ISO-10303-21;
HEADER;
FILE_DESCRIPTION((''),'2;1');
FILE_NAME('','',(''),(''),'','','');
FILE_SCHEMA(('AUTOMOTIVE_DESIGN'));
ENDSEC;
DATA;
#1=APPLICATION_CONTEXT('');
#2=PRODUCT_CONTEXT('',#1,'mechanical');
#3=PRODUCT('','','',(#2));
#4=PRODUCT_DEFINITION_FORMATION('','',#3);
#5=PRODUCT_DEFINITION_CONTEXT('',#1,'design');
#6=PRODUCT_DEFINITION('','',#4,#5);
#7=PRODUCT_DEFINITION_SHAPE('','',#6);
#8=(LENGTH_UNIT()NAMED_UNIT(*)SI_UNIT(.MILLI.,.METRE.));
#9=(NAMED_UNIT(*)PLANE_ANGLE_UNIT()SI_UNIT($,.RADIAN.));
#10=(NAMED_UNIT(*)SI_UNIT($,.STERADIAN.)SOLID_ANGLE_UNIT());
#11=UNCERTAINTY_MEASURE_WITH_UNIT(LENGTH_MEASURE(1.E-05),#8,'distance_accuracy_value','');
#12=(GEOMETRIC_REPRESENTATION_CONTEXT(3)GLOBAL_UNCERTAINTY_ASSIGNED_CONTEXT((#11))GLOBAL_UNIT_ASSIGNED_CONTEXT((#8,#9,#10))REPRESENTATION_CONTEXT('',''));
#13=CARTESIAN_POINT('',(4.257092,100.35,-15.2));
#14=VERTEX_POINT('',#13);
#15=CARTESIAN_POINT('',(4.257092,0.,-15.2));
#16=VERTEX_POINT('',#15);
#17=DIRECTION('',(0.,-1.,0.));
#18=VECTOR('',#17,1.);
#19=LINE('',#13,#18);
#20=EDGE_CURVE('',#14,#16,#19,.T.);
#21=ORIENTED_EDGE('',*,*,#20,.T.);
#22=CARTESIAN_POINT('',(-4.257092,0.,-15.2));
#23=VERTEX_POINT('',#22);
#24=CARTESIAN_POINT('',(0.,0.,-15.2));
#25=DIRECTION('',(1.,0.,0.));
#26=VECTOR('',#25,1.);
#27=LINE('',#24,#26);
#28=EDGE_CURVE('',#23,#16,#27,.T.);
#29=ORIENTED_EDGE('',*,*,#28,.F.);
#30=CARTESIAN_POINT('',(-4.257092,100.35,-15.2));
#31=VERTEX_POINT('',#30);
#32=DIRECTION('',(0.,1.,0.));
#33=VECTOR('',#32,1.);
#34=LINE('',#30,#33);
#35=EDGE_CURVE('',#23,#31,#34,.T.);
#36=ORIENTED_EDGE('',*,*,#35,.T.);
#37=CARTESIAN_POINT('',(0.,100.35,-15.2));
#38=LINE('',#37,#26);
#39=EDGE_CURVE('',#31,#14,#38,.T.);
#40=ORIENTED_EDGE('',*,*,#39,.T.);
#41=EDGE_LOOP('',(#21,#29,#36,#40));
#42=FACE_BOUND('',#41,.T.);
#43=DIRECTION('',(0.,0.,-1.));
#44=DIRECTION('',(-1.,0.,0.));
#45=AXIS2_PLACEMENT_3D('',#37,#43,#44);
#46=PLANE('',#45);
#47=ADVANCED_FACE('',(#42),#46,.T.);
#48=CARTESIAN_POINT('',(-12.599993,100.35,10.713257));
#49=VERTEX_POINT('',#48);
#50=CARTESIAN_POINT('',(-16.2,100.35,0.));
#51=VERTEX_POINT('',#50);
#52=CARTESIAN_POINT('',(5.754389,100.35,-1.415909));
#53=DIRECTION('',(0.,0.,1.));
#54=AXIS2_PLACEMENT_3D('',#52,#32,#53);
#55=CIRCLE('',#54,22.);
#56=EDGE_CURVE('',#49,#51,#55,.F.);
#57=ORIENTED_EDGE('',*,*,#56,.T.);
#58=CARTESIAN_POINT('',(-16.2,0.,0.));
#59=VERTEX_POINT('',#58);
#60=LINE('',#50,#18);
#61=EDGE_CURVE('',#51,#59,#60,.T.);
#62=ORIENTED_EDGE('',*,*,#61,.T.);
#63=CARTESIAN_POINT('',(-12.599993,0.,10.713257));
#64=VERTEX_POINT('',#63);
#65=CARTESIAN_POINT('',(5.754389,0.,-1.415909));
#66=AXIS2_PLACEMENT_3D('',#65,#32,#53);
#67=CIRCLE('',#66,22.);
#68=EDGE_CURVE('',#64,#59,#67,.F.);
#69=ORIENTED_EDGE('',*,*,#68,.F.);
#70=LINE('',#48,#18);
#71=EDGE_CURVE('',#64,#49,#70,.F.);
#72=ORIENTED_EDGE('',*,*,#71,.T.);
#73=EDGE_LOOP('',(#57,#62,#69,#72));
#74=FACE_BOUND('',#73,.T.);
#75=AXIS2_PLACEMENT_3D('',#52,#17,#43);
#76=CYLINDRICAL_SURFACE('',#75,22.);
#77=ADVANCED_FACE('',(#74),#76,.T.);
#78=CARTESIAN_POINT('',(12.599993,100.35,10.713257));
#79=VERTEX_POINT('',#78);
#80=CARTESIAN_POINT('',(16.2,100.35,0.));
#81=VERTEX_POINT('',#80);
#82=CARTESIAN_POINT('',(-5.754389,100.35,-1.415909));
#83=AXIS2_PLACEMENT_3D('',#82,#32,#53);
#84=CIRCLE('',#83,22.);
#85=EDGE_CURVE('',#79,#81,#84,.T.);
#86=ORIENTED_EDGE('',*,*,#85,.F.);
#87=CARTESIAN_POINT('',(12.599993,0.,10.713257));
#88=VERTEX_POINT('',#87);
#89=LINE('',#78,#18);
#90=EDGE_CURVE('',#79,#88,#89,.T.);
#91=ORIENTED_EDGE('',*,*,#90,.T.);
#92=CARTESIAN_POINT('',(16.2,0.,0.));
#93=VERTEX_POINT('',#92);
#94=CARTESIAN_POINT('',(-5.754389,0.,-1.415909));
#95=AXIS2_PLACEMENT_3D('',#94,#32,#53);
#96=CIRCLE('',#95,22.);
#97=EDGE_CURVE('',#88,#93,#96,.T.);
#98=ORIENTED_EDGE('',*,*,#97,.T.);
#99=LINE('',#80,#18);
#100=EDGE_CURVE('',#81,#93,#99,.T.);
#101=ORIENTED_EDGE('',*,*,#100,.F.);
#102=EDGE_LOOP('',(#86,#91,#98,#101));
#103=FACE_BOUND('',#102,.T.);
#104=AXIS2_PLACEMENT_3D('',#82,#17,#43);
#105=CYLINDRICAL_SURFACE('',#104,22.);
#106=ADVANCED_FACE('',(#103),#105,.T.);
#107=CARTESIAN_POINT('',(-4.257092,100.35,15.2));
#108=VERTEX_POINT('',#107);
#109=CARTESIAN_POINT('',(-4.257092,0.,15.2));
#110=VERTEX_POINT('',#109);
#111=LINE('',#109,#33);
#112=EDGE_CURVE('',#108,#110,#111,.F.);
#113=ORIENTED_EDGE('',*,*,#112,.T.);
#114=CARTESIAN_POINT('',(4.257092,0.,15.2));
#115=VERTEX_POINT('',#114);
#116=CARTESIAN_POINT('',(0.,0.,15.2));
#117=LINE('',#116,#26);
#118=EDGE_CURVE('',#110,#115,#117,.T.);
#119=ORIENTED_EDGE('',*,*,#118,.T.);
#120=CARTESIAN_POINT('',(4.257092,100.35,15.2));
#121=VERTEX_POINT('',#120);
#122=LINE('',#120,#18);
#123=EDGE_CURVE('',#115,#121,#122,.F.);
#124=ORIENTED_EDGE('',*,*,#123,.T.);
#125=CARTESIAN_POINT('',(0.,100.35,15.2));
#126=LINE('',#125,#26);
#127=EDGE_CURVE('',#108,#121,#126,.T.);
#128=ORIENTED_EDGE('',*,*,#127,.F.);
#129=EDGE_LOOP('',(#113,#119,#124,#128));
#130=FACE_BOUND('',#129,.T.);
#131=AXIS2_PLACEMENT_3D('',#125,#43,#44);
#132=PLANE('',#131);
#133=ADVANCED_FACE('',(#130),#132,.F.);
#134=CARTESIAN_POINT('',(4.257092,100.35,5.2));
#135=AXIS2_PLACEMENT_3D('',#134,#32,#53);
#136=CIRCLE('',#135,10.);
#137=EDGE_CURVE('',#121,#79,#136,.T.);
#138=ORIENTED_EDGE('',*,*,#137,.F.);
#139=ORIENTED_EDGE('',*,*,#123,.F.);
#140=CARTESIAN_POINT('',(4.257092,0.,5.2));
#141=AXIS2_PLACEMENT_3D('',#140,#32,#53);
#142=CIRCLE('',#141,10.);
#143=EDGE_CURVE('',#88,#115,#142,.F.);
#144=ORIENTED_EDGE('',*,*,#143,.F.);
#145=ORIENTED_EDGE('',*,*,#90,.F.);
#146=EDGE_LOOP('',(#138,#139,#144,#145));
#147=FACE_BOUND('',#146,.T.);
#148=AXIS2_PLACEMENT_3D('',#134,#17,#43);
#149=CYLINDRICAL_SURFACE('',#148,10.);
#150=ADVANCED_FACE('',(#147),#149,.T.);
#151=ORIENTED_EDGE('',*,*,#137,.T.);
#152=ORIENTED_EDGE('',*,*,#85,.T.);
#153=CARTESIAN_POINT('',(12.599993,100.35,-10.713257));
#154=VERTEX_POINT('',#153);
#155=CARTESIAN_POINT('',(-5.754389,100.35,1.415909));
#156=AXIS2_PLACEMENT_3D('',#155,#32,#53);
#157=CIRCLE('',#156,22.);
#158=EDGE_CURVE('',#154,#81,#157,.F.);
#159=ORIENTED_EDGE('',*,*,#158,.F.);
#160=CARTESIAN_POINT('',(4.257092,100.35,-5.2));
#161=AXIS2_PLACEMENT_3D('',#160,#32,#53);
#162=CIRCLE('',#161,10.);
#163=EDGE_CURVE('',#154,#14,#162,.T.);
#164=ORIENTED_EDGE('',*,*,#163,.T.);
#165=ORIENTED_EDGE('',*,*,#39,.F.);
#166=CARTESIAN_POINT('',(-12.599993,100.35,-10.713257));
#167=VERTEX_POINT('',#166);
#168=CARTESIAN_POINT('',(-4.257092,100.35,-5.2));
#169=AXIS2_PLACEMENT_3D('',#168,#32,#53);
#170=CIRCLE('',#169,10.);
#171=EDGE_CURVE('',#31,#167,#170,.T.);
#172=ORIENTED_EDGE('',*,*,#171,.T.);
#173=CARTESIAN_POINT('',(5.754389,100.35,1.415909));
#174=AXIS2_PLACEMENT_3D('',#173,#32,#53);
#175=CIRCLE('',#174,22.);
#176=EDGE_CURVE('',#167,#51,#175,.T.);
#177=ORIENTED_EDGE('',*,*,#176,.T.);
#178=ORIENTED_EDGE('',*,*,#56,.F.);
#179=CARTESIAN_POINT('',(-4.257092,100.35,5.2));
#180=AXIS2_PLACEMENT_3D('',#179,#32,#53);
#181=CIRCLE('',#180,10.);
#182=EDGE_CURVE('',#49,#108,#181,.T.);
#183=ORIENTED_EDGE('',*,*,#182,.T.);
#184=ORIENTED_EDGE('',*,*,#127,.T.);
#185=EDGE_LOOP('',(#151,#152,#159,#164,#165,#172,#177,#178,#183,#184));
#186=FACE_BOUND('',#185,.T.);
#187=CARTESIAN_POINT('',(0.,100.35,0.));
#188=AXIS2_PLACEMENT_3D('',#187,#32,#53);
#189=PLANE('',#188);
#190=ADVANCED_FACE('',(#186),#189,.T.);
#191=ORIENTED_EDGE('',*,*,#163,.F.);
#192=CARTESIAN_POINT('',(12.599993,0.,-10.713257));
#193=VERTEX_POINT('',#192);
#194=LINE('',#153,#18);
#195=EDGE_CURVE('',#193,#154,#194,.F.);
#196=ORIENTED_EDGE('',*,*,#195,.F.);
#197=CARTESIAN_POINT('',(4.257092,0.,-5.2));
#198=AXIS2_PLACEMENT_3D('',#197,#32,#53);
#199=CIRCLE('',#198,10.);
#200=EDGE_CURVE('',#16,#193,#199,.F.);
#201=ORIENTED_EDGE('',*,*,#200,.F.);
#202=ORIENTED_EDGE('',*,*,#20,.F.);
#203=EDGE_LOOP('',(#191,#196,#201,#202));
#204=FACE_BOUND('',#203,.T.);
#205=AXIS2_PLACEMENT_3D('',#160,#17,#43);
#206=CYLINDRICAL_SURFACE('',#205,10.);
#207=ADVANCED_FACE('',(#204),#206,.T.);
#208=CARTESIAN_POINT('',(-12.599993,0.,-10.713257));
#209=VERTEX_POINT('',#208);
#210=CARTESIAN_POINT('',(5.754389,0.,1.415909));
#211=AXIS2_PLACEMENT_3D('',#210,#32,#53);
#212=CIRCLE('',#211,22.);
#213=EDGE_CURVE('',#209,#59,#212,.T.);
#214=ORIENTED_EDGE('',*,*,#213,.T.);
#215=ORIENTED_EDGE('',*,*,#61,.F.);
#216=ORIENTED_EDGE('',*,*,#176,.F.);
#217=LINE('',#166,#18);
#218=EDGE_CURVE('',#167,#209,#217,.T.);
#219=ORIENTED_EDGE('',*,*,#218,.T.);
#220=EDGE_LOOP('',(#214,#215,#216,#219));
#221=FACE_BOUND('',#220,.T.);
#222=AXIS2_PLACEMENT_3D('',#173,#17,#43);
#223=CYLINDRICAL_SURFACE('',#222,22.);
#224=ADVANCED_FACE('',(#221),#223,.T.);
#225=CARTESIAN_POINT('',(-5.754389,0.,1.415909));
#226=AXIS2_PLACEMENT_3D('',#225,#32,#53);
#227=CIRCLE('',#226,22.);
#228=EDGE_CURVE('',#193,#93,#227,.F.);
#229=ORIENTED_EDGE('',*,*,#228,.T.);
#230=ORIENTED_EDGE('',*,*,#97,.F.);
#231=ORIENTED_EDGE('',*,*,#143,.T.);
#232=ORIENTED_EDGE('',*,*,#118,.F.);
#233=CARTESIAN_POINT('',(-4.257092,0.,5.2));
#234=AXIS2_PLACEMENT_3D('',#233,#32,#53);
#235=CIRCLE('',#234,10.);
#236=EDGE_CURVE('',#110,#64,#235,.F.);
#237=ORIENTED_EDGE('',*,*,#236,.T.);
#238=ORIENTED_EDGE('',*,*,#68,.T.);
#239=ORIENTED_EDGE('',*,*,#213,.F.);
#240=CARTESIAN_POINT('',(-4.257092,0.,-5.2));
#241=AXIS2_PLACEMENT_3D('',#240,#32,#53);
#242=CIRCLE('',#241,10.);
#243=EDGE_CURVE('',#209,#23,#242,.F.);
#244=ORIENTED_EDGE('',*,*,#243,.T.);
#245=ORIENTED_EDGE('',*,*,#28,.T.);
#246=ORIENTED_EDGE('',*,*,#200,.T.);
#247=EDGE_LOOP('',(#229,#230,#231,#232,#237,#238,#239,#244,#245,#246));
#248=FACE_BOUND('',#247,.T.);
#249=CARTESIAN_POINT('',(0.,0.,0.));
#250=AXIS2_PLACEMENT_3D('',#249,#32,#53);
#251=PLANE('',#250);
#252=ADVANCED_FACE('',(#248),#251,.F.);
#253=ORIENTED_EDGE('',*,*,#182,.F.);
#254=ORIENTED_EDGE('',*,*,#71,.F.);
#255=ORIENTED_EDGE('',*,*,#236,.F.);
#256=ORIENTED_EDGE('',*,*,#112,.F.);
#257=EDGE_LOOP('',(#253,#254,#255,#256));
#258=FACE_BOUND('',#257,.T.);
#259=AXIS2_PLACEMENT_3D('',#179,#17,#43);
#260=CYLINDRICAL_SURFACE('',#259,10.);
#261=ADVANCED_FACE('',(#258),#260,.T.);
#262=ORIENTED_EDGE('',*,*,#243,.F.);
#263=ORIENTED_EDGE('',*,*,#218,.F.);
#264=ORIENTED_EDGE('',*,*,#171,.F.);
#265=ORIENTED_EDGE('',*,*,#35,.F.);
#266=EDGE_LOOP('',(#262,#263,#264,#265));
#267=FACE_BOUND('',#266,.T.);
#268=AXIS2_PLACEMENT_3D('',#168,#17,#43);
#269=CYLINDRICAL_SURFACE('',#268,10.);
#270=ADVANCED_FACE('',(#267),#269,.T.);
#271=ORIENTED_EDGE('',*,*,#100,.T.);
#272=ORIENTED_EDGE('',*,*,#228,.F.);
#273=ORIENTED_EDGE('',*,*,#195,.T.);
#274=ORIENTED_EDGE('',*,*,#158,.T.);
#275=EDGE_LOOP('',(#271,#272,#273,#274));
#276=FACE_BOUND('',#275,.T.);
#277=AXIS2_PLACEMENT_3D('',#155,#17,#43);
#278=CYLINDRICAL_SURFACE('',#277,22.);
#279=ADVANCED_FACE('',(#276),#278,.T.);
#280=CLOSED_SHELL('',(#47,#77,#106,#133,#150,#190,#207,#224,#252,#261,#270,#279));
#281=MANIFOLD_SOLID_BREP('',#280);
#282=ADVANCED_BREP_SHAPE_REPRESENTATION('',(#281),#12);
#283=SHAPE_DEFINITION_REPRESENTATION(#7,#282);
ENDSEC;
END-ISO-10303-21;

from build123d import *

# Parameters (mm, degrees)
BOSS_EXTRUDE1_DEPTH = 100.35
FILLET1_R           = 10


with BuildPart() as part:
    # Sketch1 → Boss-Extrude1 (new body)
    with BuildSketch(Plane(origin=(0, 0, 0), x_dir=(1, 0, 0), z_dir=(0, 1, 0))):
        with BuildLine():
            ThreePointArc((-16.2, 0), (-13.956480682, -8.355560366), (-8.664749957, -15.2))
            Line((-8.664749957, -15.2), (8.664749957, -15.2))
            ThreePointArc((8.664749957, -15.2), (13.956480682, -8.355560366), (16.2, 0))
            ThreePointArc((16.2, 0), (13.956480682, 8.355560366), (8.664749957, 15.2))
            Line((8.664749957, 15.2), (-8.664749957, 15.2))
            ThreePointArc((-8.664749957, 15.2), (-13.956480682, 8.355560366), (-16.2, 0))
        make_face()
    extrude(amount=BOSS_EXTRUDE1_DEPTH)

    # Fillet1
    fillet1_edges = [part.edges().sort_by_distance(p)[0] for p in [
        (8.664749957, 50.175, 15.2),
        (-8.664749957, 50.175, 15.2),
        (-8.664749957, 50.175, -15.2),
        (8.664749957, 50.175, -15.2),
    ]]
    fillet(fillet1_edges, radius=FILLET1_R)


solid = part.part
